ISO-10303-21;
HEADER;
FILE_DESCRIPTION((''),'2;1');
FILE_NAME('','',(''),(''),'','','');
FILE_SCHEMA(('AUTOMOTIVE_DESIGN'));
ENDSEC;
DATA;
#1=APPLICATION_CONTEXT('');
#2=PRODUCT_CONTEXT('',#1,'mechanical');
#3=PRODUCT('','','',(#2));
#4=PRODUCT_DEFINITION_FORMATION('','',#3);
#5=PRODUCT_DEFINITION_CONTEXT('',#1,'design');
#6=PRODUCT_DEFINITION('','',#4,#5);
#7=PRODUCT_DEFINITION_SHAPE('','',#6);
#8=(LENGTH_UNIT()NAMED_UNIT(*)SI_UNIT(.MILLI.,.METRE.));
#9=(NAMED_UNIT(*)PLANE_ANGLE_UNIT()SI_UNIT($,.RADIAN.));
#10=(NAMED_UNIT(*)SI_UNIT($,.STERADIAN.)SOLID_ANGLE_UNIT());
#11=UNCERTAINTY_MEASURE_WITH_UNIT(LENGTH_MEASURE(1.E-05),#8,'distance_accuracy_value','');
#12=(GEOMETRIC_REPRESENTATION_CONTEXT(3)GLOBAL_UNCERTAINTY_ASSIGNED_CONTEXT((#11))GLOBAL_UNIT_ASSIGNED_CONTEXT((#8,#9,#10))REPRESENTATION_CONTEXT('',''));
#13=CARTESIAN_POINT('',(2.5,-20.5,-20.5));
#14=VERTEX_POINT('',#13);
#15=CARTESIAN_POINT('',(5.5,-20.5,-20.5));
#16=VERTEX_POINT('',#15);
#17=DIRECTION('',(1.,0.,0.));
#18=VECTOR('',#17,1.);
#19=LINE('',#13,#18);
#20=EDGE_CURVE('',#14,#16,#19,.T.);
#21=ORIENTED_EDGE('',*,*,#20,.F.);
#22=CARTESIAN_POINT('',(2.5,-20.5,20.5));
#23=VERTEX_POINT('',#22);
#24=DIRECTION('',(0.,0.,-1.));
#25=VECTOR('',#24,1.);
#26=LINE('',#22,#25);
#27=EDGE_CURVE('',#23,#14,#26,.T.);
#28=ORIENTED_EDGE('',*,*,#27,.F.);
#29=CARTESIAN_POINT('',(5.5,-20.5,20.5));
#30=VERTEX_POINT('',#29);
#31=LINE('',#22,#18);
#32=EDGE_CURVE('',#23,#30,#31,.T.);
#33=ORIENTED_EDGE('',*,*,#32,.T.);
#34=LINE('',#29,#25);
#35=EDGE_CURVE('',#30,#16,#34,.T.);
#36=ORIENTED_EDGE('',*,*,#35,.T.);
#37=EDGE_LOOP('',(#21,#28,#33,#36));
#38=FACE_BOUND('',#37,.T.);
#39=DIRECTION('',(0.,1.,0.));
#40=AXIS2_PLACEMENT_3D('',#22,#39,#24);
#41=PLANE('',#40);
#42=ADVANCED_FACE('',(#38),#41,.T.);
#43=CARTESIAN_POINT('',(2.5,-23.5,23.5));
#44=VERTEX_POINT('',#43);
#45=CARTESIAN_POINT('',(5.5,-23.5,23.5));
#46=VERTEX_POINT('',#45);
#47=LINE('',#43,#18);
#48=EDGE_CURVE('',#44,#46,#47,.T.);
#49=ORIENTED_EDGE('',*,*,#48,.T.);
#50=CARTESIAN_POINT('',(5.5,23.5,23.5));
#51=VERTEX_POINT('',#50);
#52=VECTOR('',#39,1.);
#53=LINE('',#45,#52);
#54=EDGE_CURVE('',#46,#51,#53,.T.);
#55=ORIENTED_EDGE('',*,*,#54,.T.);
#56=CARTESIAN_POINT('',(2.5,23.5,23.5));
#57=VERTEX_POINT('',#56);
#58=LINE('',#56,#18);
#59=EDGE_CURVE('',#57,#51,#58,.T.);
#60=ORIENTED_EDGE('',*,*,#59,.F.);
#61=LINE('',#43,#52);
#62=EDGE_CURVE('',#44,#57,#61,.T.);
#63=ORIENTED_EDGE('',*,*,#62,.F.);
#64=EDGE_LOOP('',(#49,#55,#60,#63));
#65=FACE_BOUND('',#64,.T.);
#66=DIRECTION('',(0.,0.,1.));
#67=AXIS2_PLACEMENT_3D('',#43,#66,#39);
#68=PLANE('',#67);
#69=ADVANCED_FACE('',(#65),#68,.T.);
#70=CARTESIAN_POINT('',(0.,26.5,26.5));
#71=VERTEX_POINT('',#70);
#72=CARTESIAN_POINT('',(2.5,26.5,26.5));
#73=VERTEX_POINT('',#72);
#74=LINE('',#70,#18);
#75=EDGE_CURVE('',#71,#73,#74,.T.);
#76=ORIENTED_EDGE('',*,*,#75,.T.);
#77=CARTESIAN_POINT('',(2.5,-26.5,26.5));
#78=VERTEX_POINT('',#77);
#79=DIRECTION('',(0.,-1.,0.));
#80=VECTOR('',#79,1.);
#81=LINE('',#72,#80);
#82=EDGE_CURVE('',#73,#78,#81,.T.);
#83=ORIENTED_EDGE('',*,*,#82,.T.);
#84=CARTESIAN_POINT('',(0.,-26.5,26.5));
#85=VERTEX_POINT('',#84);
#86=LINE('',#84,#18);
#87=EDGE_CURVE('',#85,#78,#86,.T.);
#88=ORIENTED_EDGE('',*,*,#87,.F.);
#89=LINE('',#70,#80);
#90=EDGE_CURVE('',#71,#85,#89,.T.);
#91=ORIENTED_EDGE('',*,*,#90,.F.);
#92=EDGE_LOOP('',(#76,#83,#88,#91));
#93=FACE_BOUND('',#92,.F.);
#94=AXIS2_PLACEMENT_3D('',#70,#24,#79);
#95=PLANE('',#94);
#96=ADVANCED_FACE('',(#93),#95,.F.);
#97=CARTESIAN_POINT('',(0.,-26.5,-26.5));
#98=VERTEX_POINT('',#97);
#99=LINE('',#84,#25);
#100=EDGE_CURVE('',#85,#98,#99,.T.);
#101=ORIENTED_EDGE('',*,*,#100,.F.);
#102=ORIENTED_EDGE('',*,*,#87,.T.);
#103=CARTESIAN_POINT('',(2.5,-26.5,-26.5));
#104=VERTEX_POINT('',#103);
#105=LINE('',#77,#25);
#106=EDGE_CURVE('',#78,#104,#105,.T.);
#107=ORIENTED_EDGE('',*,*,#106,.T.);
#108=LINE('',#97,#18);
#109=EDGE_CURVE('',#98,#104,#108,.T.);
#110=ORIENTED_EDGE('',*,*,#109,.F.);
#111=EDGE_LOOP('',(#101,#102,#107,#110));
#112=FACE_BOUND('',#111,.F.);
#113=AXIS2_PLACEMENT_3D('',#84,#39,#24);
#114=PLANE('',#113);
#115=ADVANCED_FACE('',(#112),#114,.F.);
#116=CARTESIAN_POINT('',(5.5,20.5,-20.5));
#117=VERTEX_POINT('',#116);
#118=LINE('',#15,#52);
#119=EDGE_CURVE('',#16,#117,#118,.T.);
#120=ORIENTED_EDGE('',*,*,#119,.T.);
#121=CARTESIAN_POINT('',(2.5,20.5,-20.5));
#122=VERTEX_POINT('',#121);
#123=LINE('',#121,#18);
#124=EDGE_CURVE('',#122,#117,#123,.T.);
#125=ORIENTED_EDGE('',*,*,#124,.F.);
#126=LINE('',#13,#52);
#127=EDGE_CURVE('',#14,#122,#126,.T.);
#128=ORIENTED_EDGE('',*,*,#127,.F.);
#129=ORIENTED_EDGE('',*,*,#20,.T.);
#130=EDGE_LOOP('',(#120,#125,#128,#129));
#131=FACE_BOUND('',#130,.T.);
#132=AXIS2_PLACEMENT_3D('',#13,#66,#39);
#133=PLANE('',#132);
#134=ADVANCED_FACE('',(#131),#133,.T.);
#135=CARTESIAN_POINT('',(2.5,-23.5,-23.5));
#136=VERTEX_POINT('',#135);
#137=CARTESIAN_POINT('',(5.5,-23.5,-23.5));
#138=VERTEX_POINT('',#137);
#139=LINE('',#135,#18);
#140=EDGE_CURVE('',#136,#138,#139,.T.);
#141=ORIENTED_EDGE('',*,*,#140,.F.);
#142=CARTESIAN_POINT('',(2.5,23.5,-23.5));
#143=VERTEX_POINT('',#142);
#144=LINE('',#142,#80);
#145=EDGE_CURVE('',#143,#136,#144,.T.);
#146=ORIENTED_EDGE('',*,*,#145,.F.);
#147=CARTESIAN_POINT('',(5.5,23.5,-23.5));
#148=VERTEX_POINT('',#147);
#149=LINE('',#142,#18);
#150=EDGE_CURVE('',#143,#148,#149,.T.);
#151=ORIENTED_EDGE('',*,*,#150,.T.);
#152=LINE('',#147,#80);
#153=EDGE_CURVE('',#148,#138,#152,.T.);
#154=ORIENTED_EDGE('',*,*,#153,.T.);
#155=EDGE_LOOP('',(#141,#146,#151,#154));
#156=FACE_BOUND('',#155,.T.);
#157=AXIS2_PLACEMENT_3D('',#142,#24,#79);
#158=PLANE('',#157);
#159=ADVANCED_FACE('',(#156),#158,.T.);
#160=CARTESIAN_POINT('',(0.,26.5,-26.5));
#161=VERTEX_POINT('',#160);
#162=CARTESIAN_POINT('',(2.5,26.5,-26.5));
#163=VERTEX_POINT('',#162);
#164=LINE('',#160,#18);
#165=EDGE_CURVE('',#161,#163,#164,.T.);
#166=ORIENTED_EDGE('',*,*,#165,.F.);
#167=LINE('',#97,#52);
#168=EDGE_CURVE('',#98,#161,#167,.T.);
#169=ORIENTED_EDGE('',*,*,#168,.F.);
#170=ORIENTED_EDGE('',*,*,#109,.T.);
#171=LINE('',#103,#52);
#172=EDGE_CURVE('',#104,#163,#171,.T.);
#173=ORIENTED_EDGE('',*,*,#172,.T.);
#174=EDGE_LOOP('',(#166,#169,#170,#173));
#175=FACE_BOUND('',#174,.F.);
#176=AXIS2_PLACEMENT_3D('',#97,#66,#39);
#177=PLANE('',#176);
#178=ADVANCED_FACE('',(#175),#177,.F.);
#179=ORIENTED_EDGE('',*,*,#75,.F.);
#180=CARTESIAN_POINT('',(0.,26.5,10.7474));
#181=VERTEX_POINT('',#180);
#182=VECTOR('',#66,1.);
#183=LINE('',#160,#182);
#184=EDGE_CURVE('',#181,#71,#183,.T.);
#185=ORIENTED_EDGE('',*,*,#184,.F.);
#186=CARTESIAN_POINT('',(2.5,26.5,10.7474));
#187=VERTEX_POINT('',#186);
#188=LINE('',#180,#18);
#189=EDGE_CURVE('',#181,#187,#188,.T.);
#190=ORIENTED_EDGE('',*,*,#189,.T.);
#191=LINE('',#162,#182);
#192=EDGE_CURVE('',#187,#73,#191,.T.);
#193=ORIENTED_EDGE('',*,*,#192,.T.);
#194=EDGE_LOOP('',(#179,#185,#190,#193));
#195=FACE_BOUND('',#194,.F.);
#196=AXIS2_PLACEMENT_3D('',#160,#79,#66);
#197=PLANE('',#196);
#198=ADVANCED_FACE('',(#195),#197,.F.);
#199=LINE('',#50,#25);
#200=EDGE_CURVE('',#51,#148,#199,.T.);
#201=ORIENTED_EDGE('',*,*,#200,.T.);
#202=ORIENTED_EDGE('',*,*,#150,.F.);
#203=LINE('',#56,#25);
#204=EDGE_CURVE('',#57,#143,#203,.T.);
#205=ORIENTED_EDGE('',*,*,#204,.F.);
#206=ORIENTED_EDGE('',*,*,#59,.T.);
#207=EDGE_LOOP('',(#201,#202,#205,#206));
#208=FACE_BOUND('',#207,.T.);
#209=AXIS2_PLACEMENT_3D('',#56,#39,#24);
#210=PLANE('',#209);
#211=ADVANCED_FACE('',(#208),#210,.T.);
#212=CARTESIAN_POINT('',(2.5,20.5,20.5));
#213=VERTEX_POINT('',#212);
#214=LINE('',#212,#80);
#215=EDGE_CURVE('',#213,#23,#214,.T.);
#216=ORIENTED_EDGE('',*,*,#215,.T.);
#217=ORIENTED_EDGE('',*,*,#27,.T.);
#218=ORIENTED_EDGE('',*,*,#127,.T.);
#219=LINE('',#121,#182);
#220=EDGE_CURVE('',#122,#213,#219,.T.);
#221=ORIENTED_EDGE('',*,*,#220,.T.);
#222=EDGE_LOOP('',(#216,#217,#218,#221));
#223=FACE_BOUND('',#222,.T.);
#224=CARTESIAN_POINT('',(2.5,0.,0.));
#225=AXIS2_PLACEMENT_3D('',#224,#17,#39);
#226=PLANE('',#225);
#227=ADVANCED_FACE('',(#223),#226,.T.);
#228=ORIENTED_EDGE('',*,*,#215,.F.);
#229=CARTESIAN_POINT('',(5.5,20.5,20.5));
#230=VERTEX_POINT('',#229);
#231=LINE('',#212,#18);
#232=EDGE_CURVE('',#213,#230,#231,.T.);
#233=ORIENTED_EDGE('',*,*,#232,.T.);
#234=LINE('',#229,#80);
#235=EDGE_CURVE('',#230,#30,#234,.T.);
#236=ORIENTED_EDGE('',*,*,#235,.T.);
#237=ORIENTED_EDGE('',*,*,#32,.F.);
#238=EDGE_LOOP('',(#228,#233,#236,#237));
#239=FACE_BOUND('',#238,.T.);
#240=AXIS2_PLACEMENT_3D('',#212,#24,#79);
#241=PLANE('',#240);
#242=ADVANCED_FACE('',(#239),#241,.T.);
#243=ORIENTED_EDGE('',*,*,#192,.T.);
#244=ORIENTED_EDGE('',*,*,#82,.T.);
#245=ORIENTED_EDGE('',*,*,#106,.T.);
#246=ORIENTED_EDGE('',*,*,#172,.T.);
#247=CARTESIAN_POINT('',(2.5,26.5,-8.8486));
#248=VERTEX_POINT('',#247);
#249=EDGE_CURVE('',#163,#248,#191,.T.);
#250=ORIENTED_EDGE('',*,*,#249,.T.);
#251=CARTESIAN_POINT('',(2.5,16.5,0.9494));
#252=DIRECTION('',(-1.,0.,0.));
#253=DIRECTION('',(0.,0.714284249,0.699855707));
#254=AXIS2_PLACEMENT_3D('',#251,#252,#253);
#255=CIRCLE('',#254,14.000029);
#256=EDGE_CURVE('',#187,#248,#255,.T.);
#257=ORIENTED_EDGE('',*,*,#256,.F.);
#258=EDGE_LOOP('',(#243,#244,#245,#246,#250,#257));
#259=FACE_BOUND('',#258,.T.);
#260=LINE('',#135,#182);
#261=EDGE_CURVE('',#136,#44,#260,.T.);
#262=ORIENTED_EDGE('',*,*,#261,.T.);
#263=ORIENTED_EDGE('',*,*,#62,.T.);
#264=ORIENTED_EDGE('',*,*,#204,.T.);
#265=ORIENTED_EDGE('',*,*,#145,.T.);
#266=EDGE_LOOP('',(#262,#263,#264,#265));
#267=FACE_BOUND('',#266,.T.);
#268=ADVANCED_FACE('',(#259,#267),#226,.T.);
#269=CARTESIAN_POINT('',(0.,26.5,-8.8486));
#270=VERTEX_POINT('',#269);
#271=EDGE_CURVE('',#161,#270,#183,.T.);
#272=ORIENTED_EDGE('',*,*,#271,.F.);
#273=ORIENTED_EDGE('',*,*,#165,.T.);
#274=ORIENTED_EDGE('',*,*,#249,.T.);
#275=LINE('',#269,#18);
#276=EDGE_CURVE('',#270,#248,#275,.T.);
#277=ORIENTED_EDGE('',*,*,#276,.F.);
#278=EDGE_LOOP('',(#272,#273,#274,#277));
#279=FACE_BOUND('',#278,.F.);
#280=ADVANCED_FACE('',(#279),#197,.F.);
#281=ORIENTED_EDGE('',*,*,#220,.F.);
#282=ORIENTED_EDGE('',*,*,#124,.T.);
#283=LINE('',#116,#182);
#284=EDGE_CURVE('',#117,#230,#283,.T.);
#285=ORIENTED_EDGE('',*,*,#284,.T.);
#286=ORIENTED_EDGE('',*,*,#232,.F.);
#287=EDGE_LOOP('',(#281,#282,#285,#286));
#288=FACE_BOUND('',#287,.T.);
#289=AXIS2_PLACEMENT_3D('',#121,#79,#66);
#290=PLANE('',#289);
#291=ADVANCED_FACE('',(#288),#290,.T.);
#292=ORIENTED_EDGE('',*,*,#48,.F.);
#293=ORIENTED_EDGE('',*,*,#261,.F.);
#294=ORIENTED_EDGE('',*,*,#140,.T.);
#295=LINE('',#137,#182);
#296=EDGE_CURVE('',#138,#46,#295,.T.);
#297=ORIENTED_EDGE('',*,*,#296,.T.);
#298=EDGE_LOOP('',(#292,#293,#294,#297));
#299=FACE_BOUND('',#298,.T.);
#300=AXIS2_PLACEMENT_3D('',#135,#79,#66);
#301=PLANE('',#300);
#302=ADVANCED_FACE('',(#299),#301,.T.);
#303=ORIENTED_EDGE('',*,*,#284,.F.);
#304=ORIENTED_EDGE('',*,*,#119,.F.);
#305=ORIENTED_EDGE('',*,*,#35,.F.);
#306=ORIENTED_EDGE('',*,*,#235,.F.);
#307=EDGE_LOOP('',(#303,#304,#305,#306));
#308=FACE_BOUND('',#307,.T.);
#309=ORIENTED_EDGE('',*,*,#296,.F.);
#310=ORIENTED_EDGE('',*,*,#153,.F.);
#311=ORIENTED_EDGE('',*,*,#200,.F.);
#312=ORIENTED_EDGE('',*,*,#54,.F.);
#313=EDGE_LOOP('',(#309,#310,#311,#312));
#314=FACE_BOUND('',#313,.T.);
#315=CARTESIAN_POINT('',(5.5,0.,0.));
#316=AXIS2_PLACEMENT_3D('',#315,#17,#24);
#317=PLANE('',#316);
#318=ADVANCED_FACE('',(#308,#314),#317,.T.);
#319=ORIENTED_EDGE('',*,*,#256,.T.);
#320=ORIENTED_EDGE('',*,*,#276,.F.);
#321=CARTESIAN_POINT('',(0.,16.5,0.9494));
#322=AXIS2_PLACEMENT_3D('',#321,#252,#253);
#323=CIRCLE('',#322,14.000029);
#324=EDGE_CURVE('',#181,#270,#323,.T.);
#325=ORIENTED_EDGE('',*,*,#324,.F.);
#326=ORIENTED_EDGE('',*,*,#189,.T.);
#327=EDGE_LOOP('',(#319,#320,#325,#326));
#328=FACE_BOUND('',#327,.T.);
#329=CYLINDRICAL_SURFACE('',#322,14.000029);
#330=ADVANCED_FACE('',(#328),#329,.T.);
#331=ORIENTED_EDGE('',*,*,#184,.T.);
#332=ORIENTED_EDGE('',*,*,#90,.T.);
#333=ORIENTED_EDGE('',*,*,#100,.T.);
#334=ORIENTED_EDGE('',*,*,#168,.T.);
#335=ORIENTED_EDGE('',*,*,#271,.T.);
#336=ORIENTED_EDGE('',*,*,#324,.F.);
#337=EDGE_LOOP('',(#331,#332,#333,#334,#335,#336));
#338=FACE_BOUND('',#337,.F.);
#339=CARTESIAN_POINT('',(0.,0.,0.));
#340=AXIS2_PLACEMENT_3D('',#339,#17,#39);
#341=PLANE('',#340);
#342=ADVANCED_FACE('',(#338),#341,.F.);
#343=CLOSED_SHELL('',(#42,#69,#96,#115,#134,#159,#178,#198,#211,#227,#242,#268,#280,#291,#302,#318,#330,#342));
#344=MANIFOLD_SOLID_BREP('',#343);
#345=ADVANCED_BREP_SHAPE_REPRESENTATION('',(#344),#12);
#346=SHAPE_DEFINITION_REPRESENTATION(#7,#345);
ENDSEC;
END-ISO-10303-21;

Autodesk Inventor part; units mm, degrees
ref_plane "YZ Plane" through (0, 0, 0) normal (1, 0, 0) x (0, 1, 0)
ref_plane "XZ Plane" through (0, 0, 0) normal (0, 1, 0) x (-1, 0, 0)
ref_plane "XY Plane" through (0, 0, 0) normal (0, 0, 1) x (1, 0, 0)
sketch "Skizze4" plane through (0, 0, 0) normal (1, 0, 0) x (0, 1, 0)
  line L0 (26.5, 26.5) -> (-26.5, 26.5)
  line L1 (-26.5, 26.5) -> (-26.5, -26.5)
  line L2 (-26.5, -26.5) -> (26.5, -26.5)
  line L3 (26.5, -26.5) -> (26.5, 26.5)
  line L4 (0, -37.1) -> (0, 37.1) construction
  line L5 (-37.1, 0) -> (37.1, 0) construction
  dimension "d18" = 53
  dimension "d19" = 53
extrude "Extrusion2" add sketch "Skizze4" along normal blind 2.5
sketch "Skizze5" plane through (2.5, 0, 0) normal (1, 0, 0) x (0, 0, -1)
  line L0 (-26.5, -26.5) -> (26.5, -26.5) construction
  line L1 (26.5, -26.5) -> (26.5, 26.5) construction
  line L2 (26.5, 26.5) -> (-26.5, 26.5) construction
  line L3 (-26.5, 26.5) -> (-26.5, -26.5) construction
  line L4 (-23.5, 23.5) -> (23.5, 23.5)
  line L5 (23.5, 23.5) -> (23.5, -23.5)
  line L6 (23.5, -23.5) -> (-23.5, -23.5)
  line L7 (-23.5, -23.5) -> (-23.5, 23.5)
  line L8 (20.5, 20.5) -> (-20.5, 20.5)
  line L9 (-20.5, 20.5) -> (-20.5, -20.5)
  line L10 (-20.5, -20.5) -> (20.5, -20.5)
  line L11 (20.5, -20.5) -> (20.5, 20.5)
  point P0 (0, 0)
  dimension "d8" = 3
  dimension "d9" = 3
extrude "Extrusion3" add sketch "Skizze5" along normal blind 3
sketch "Skizze6" plane through (0, 0, 0) normal (-1, 0, 0) x (0, 0, 1)
  line L0 (26.5, 26.5) -> (-26.5, 26.5) construction
  line L1 (26.5, -26.5) -> (26.5, 26.5) construction
  line L2 (-26.5, 26.5) -> (-26.5, 0) construction
  line L3 (0, -5.395) -> (0, 39.3226) construction
  line L4 (-26.5, 26.5) -> (26.5, 26.5) projected
  arc A0 (10.7474, 26.5) -> (-8.8486, 26.5) centre (0.9494, 16.5) ccw
  point P0 (0, 0)
  dimension "d12" = 26.5
  dimension "d13" = 53
  dimension "d14" = 14
  dimension "d15" = 10
extrude "Extrusion4" add sketch "Skizze6" against normal up to surface (2.5 mm away)
equation "\"d19\" = d18"
equation "\"d12\" = 0.5 * d13"
properties part number "Modul Deckel" material "Kst - PC/Makrolon (clear)"
